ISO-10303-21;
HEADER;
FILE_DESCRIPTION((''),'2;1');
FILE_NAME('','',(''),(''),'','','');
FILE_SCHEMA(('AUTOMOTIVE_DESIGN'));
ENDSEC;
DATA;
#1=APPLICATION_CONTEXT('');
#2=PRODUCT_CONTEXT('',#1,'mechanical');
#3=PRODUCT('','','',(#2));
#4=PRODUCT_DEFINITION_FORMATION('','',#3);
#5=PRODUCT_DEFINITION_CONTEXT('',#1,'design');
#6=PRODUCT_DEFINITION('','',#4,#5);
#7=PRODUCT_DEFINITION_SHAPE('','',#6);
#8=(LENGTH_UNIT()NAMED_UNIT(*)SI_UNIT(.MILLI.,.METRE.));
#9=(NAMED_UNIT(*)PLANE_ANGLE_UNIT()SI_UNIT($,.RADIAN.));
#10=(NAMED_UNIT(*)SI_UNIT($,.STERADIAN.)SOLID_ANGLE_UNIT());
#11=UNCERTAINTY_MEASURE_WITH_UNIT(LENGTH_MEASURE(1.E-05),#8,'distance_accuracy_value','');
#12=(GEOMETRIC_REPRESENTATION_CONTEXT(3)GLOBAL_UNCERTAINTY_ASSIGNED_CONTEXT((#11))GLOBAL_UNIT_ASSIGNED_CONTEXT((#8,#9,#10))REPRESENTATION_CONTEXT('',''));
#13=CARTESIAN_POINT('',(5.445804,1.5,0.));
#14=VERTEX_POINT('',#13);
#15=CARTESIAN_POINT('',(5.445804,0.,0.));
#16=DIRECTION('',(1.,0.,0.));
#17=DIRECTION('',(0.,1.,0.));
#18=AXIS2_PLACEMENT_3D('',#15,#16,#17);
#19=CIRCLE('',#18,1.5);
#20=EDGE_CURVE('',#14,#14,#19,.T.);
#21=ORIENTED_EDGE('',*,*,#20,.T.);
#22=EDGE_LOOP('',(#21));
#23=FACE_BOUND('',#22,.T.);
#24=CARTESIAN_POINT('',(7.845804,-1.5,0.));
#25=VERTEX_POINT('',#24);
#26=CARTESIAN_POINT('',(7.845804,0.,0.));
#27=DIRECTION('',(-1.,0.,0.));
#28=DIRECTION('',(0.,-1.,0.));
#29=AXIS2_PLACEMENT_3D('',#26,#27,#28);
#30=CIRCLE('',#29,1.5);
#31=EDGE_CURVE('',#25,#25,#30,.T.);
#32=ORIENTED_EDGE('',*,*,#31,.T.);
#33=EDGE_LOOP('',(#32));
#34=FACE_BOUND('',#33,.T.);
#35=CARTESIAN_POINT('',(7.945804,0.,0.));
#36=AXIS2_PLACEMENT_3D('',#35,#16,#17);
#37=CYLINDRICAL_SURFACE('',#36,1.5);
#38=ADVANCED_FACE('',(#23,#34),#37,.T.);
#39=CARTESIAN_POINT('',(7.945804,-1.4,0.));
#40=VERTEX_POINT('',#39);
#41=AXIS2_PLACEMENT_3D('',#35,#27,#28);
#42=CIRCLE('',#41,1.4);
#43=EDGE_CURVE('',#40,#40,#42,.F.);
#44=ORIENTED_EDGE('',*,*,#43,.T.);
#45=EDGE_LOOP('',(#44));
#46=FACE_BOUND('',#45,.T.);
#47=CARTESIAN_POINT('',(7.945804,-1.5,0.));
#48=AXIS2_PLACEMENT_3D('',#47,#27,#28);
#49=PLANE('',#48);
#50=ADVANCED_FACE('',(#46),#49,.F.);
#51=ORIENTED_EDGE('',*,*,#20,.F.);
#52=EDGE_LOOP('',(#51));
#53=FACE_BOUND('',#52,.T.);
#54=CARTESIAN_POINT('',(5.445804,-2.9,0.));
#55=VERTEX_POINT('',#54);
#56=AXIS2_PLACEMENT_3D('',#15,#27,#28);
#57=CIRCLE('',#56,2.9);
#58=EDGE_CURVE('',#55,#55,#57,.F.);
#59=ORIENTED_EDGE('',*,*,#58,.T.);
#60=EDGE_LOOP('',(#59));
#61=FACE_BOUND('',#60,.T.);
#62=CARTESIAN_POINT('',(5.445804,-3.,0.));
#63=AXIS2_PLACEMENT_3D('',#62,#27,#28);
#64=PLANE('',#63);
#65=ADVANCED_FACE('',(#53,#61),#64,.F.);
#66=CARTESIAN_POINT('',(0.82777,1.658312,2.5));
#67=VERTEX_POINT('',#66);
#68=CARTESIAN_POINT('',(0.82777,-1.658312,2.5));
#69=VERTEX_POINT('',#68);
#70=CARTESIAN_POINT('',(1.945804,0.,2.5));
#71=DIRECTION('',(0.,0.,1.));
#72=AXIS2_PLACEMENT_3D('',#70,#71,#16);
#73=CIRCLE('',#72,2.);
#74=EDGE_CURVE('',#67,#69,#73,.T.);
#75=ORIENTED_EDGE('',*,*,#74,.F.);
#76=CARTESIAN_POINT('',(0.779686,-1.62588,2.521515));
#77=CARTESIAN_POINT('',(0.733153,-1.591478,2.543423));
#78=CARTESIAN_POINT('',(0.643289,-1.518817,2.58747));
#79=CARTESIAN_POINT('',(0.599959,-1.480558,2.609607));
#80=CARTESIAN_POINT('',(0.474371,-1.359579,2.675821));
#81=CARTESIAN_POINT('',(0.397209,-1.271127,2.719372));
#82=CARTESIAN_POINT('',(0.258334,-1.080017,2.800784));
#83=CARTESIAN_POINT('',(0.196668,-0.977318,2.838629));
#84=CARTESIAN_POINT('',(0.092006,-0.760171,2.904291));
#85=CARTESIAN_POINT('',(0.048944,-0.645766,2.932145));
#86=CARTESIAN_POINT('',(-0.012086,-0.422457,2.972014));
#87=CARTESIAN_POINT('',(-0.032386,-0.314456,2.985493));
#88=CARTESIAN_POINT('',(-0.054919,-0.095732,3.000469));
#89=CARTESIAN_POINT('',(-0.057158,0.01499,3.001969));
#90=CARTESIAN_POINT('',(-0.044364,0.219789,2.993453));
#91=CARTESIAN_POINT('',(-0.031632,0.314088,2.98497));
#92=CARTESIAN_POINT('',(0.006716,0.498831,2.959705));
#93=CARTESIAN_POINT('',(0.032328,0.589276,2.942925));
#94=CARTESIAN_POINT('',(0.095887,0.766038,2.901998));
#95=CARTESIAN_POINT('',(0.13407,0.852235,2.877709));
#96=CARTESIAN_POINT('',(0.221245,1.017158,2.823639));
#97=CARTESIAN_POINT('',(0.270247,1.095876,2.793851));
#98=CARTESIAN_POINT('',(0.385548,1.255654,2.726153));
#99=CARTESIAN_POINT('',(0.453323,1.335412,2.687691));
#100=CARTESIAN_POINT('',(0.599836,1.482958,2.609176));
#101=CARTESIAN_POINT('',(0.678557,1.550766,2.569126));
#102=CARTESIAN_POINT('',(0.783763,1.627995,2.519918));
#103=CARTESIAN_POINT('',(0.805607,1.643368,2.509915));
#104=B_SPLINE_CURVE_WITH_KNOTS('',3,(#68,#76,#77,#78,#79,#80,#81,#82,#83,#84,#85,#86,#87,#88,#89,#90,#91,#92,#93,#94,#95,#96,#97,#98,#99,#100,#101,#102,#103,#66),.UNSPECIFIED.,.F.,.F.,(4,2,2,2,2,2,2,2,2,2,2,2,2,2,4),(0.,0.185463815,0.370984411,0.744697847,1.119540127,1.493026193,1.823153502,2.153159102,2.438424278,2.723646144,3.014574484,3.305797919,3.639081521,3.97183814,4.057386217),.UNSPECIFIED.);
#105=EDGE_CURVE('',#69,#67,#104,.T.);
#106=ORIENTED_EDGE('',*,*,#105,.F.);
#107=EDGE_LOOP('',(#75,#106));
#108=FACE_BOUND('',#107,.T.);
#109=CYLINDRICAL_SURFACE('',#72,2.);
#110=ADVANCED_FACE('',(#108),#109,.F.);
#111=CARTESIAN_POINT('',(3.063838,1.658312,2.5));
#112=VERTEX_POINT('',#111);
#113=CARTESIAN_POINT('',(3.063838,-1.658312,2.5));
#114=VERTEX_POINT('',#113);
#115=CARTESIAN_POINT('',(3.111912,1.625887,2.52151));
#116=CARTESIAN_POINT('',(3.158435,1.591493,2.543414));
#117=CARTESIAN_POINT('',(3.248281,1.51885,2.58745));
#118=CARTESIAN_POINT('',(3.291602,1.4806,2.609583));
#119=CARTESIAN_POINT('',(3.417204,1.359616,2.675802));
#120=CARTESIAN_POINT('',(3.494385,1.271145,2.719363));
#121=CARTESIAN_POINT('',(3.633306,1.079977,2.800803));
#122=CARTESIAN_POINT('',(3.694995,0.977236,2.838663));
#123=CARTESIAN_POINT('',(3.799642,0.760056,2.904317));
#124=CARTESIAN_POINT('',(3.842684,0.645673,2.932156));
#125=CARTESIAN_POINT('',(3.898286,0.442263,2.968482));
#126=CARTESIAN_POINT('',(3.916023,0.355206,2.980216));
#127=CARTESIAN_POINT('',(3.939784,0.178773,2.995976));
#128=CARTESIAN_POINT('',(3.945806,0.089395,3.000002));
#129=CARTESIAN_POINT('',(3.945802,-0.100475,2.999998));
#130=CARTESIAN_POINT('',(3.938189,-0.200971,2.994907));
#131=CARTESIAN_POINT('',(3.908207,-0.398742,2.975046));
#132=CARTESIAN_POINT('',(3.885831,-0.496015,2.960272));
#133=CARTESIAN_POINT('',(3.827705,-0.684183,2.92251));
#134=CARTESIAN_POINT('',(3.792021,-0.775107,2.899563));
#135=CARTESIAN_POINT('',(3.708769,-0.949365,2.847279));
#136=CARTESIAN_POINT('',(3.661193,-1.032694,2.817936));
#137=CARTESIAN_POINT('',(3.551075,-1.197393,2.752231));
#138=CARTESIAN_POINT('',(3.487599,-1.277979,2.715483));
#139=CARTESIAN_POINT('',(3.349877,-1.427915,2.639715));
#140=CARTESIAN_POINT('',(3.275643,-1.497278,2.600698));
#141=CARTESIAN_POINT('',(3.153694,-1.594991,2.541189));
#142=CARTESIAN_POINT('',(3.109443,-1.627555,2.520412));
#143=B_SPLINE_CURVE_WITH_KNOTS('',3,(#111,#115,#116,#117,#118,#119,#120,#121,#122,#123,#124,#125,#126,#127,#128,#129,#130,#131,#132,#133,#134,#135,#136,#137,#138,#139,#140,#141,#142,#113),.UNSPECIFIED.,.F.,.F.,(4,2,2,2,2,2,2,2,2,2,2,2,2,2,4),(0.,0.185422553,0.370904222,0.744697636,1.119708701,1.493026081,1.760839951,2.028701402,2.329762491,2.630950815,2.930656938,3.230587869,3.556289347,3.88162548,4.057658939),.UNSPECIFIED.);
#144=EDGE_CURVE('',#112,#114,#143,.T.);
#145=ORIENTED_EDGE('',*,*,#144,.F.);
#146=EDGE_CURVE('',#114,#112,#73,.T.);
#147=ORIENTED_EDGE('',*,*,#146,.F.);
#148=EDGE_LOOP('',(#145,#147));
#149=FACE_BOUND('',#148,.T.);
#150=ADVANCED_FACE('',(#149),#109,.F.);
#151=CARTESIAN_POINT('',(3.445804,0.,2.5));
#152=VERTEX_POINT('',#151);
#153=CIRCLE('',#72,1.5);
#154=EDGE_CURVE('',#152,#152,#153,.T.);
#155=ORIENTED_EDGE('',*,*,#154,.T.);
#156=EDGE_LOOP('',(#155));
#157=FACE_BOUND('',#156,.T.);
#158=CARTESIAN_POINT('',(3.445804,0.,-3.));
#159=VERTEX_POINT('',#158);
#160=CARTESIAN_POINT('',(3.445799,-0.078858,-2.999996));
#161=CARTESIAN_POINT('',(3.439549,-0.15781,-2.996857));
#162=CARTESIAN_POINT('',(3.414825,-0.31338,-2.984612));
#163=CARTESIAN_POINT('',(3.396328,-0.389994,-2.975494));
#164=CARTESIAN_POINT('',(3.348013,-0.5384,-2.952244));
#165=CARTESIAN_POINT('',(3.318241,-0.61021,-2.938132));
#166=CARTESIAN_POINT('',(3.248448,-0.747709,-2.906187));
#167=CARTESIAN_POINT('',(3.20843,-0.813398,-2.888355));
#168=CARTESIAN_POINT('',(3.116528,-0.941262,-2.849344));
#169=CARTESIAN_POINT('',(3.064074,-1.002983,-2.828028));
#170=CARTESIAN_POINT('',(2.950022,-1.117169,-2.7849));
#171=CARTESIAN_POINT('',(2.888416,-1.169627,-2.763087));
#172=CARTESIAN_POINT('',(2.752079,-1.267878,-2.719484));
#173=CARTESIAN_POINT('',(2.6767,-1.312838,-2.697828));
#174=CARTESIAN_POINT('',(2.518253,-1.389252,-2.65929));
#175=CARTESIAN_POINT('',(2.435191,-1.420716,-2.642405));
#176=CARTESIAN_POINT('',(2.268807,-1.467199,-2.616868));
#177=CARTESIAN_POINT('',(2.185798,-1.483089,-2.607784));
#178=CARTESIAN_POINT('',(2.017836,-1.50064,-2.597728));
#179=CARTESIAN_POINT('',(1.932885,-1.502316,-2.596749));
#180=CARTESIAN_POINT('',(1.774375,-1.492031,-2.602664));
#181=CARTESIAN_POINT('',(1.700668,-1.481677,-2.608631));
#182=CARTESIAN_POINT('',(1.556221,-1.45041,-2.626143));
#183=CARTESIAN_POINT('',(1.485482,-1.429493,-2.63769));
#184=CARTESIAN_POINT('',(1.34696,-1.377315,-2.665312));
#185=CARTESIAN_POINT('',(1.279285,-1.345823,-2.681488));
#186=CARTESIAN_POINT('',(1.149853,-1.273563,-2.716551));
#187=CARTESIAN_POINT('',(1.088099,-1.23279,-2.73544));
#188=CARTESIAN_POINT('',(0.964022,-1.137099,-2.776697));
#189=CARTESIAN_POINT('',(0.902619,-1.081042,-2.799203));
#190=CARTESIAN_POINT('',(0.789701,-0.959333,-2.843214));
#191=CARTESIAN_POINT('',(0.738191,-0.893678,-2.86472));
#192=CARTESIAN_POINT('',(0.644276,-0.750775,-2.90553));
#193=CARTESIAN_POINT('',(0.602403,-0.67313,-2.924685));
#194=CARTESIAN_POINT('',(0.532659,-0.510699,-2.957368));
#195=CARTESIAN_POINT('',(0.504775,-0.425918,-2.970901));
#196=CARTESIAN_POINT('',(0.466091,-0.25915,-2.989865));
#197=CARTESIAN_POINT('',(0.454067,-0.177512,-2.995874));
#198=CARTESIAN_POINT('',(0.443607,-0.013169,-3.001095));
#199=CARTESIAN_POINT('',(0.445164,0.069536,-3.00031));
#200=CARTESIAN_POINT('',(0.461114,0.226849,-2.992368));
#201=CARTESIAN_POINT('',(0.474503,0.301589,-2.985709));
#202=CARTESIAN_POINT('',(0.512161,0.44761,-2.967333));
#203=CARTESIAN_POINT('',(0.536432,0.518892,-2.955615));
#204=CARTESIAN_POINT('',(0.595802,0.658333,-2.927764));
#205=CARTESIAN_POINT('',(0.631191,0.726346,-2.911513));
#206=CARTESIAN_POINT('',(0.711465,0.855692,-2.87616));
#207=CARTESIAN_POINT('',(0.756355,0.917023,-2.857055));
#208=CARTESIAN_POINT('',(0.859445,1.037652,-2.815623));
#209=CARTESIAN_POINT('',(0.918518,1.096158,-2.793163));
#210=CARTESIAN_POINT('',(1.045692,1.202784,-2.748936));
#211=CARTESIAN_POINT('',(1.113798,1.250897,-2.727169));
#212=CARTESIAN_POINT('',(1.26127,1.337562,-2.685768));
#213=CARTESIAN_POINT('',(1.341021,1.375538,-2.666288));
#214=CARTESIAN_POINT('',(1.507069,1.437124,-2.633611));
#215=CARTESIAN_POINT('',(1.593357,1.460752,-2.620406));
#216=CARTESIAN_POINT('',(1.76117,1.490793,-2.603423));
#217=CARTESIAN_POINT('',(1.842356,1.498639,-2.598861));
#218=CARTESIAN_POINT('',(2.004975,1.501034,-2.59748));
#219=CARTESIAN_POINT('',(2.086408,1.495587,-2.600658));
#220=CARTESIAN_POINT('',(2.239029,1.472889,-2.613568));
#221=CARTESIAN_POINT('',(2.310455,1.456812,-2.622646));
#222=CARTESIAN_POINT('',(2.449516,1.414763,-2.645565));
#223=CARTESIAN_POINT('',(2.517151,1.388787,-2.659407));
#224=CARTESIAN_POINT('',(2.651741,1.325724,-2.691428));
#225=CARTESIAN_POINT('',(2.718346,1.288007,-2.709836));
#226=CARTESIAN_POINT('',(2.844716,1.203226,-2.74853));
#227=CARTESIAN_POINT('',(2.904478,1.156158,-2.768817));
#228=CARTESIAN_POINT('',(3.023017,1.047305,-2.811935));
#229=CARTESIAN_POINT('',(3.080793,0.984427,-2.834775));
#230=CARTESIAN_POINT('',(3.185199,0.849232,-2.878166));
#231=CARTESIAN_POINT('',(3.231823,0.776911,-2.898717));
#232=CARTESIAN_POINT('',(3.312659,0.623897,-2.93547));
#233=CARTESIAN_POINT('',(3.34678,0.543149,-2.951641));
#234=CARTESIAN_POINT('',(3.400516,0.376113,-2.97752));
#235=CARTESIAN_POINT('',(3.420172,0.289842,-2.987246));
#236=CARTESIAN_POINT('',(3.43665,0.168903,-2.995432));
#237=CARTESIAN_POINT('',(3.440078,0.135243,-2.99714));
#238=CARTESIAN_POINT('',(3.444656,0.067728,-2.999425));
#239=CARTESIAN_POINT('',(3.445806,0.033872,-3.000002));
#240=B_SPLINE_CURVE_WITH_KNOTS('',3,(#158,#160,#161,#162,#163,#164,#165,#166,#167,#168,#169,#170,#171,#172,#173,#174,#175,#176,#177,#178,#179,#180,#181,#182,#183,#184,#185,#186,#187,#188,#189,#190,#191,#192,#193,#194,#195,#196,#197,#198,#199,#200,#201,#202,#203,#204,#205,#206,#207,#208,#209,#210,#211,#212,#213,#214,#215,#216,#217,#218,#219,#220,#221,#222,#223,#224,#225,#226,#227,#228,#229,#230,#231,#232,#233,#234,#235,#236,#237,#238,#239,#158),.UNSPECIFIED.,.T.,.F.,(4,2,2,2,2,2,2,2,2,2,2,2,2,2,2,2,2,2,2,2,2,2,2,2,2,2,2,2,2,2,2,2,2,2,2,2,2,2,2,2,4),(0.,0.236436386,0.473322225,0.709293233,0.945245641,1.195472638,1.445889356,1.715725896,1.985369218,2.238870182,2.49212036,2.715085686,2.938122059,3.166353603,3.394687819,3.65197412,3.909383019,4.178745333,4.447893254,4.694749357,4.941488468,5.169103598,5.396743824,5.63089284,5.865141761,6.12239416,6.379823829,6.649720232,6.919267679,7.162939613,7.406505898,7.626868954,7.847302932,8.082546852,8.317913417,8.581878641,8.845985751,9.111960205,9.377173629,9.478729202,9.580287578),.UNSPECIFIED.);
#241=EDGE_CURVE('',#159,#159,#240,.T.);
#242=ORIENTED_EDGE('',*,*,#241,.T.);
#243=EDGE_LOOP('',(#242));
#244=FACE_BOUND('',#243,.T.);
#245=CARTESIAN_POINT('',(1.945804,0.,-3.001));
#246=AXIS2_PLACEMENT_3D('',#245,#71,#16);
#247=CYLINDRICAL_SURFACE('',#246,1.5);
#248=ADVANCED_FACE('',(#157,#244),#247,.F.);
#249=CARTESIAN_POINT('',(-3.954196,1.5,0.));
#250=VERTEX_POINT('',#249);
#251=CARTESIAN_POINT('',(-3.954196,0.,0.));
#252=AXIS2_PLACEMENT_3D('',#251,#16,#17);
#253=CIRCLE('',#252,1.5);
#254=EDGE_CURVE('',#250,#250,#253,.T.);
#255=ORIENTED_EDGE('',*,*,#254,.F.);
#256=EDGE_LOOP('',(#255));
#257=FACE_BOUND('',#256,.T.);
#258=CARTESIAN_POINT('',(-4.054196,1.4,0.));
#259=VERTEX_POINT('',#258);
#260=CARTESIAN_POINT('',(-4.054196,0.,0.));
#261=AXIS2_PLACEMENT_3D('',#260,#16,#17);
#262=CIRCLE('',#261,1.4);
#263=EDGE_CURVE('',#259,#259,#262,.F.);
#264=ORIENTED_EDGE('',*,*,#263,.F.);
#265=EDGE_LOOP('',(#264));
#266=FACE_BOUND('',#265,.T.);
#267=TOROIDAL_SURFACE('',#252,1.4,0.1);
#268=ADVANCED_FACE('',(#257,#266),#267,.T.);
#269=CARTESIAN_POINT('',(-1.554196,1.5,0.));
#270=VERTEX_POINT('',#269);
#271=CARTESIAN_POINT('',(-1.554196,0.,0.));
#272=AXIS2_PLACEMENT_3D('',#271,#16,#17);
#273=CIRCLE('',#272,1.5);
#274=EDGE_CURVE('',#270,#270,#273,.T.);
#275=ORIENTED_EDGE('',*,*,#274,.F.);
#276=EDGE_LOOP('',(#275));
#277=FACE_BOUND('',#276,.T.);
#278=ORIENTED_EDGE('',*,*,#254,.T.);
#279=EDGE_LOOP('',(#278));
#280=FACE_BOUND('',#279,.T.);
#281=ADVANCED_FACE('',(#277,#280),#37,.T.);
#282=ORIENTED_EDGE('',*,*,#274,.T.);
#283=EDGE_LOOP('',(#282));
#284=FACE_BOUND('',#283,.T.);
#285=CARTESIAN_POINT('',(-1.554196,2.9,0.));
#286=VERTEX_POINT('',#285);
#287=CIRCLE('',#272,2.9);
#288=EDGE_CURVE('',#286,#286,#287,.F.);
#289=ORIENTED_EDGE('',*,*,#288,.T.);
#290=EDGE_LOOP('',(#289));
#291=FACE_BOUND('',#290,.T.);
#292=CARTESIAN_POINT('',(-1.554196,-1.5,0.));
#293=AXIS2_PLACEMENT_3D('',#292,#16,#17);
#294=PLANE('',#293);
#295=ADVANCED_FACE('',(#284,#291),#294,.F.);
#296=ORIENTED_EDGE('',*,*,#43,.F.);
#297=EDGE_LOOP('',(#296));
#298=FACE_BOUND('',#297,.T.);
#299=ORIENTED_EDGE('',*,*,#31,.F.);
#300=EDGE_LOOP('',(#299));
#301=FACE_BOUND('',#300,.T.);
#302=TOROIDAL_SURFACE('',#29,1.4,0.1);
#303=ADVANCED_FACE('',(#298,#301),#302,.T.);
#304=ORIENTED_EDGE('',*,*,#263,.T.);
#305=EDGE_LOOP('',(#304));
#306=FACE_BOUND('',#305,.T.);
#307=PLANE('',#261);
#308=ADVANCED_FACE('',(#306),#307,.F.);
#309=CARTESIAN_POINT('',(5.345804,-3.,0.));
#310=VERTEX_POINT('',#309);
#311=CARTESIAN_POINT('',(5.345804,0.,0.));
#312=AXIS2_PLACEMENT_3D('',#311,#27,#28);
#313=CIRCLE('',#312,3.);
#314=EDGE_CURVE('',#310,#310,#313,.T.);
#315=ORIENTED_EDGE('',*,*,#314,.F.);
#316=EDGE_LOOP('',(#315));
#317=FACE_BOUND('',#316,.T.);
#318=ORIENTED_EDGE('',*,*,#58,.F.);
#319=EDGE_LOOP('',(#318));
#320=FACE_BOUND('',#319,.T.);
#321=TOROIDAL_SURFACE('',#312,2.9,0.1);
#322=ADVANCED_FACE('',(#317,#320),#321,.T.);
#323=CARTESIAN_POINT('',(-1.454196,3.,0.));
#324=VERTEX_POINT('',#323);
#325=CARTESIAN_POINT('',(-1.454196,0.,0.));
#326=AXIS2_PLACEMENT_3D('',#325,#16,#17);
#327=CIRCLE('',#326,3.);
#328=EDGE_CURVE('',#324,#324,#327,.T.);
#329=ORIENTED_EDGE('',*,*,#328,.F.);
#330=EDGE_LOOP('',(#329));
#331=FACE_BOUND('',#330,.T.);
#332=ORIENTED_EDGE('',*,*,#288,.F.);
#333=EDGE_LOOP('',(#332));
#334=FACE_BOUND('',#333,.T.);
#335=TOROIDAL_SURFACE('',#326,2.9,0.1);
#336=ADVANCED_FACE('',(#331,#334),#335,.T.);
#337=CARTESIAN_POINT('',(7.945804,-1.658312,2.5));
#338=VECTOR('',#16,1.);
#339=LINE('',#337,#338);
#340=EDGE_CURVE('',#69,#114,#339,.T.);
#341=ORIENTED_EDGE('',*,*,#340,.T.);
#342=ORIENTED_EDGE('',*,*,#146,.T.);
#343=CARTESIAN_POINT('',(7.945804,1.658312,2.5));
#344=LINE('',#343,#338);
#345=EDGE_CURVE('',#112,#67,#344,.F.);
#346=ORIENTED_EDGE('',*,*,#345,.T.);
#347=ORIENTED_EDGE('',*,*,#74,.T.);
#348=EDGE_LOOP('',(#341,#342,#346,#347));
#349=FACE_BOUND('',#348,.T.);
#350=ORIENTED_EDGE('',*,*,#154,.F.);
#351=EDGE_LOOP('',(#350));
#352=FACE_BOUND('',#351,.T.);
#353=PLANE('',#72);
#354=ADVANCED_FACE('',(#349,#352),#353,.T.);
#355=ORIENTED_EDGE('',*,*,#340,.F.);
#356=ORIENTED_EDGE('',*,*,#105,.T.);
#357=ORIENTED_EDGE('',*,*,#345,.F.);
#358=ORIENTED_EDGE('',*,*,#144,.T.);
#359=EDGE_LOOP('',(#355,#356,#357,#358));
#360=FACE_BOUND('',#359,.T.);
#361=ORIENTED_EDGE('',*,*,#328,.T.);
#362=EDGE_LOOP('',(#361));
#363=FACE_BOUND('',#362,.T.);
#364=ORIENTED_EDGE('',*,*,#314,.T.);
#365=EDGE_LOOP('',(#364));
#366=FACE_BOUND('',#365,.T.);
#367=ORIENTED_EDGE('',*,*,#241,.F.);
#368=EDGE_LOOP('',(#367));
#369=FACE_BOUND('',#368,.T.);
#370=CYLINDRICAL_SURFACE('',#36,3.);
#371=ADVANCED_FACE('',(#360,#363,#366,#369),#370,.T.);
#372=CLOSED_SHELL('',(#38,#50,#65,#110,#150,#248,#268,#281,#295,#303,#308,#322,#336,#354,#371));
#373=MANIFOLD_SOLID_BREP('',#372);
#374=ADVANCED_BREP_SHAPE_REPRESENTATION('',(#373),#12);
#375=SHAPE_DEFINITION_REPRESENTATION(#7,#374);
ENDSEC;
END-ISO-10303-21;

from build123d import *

# Parameters (mm, degrees)
FILLET1_R          = 0.1
SKETCH2_R          = 2
CUT_EXTRUDE1_DEPTH = 0.5
CUT_EXTRUDE2_REACH = 7.5
SKETCH3_R          = 1.5


with BuildPart() as part:
    # Sketch1 → Revolve1 (revolve)
    with BuildSketch(Plane.XY):
        Polygon((0, 0), (-4.054195804, 0), (-4.054195804, -1.5), (-1.554195804, -1.5), (-1.554195804, -3), (5.445804196, -3), (5.445804196, -1.5), (7.945804196, -1.5), (7.945804196, 0), align=None)
    revolve(axis=Axis((7.945804196, 0, 0), (-1, 0, 0)))

    # Fillet1
    fillet1_edges = [part.edges().sort_by_distance(p)[0] for p in [
        (7.945804196, 1.5, 0),
        (5.445804196, 3, 0),
        (-1.554195804, 3, 0),
        (-4.054195804, 1.5, 0),
    ]]
    fillet(fillet1_edges, radius=FILLET1_R)

    # Sketch2 → Cut-Extrude1 (cut)
    with BuildSketch(Plane.XY.offset(3)):
        with Locations((1.945804196, 0)):
            Circle(SKETCH2_R)
    extrude(amount=-CUT_EXTRUDE1_DEPTH, mode=Mode.SUBTRACT)

    # Sketch3 → Cut-Extrude2 (cut, up to next)
    with BuildSketch(Plane.XY.offset(2.5), mode=Mode.PRIVATE) as cut_extrude2_sk1:
        with Locations((1.945804196, 0)):
            Circle(SKETCH3_R)
    cut_extrude2_tool1 = extrude(cut_extrude2_sk1.sketch, amount=-CUT_EXTRUDE2_REACH, mode=Mode.PRIVATE) & part.part
    add(cut_extrude2_tool1.solids().sort_by_distance((1.945804, 0, 2.5))[0], mode=Mode.SUBTRACT)


solid = part.part
